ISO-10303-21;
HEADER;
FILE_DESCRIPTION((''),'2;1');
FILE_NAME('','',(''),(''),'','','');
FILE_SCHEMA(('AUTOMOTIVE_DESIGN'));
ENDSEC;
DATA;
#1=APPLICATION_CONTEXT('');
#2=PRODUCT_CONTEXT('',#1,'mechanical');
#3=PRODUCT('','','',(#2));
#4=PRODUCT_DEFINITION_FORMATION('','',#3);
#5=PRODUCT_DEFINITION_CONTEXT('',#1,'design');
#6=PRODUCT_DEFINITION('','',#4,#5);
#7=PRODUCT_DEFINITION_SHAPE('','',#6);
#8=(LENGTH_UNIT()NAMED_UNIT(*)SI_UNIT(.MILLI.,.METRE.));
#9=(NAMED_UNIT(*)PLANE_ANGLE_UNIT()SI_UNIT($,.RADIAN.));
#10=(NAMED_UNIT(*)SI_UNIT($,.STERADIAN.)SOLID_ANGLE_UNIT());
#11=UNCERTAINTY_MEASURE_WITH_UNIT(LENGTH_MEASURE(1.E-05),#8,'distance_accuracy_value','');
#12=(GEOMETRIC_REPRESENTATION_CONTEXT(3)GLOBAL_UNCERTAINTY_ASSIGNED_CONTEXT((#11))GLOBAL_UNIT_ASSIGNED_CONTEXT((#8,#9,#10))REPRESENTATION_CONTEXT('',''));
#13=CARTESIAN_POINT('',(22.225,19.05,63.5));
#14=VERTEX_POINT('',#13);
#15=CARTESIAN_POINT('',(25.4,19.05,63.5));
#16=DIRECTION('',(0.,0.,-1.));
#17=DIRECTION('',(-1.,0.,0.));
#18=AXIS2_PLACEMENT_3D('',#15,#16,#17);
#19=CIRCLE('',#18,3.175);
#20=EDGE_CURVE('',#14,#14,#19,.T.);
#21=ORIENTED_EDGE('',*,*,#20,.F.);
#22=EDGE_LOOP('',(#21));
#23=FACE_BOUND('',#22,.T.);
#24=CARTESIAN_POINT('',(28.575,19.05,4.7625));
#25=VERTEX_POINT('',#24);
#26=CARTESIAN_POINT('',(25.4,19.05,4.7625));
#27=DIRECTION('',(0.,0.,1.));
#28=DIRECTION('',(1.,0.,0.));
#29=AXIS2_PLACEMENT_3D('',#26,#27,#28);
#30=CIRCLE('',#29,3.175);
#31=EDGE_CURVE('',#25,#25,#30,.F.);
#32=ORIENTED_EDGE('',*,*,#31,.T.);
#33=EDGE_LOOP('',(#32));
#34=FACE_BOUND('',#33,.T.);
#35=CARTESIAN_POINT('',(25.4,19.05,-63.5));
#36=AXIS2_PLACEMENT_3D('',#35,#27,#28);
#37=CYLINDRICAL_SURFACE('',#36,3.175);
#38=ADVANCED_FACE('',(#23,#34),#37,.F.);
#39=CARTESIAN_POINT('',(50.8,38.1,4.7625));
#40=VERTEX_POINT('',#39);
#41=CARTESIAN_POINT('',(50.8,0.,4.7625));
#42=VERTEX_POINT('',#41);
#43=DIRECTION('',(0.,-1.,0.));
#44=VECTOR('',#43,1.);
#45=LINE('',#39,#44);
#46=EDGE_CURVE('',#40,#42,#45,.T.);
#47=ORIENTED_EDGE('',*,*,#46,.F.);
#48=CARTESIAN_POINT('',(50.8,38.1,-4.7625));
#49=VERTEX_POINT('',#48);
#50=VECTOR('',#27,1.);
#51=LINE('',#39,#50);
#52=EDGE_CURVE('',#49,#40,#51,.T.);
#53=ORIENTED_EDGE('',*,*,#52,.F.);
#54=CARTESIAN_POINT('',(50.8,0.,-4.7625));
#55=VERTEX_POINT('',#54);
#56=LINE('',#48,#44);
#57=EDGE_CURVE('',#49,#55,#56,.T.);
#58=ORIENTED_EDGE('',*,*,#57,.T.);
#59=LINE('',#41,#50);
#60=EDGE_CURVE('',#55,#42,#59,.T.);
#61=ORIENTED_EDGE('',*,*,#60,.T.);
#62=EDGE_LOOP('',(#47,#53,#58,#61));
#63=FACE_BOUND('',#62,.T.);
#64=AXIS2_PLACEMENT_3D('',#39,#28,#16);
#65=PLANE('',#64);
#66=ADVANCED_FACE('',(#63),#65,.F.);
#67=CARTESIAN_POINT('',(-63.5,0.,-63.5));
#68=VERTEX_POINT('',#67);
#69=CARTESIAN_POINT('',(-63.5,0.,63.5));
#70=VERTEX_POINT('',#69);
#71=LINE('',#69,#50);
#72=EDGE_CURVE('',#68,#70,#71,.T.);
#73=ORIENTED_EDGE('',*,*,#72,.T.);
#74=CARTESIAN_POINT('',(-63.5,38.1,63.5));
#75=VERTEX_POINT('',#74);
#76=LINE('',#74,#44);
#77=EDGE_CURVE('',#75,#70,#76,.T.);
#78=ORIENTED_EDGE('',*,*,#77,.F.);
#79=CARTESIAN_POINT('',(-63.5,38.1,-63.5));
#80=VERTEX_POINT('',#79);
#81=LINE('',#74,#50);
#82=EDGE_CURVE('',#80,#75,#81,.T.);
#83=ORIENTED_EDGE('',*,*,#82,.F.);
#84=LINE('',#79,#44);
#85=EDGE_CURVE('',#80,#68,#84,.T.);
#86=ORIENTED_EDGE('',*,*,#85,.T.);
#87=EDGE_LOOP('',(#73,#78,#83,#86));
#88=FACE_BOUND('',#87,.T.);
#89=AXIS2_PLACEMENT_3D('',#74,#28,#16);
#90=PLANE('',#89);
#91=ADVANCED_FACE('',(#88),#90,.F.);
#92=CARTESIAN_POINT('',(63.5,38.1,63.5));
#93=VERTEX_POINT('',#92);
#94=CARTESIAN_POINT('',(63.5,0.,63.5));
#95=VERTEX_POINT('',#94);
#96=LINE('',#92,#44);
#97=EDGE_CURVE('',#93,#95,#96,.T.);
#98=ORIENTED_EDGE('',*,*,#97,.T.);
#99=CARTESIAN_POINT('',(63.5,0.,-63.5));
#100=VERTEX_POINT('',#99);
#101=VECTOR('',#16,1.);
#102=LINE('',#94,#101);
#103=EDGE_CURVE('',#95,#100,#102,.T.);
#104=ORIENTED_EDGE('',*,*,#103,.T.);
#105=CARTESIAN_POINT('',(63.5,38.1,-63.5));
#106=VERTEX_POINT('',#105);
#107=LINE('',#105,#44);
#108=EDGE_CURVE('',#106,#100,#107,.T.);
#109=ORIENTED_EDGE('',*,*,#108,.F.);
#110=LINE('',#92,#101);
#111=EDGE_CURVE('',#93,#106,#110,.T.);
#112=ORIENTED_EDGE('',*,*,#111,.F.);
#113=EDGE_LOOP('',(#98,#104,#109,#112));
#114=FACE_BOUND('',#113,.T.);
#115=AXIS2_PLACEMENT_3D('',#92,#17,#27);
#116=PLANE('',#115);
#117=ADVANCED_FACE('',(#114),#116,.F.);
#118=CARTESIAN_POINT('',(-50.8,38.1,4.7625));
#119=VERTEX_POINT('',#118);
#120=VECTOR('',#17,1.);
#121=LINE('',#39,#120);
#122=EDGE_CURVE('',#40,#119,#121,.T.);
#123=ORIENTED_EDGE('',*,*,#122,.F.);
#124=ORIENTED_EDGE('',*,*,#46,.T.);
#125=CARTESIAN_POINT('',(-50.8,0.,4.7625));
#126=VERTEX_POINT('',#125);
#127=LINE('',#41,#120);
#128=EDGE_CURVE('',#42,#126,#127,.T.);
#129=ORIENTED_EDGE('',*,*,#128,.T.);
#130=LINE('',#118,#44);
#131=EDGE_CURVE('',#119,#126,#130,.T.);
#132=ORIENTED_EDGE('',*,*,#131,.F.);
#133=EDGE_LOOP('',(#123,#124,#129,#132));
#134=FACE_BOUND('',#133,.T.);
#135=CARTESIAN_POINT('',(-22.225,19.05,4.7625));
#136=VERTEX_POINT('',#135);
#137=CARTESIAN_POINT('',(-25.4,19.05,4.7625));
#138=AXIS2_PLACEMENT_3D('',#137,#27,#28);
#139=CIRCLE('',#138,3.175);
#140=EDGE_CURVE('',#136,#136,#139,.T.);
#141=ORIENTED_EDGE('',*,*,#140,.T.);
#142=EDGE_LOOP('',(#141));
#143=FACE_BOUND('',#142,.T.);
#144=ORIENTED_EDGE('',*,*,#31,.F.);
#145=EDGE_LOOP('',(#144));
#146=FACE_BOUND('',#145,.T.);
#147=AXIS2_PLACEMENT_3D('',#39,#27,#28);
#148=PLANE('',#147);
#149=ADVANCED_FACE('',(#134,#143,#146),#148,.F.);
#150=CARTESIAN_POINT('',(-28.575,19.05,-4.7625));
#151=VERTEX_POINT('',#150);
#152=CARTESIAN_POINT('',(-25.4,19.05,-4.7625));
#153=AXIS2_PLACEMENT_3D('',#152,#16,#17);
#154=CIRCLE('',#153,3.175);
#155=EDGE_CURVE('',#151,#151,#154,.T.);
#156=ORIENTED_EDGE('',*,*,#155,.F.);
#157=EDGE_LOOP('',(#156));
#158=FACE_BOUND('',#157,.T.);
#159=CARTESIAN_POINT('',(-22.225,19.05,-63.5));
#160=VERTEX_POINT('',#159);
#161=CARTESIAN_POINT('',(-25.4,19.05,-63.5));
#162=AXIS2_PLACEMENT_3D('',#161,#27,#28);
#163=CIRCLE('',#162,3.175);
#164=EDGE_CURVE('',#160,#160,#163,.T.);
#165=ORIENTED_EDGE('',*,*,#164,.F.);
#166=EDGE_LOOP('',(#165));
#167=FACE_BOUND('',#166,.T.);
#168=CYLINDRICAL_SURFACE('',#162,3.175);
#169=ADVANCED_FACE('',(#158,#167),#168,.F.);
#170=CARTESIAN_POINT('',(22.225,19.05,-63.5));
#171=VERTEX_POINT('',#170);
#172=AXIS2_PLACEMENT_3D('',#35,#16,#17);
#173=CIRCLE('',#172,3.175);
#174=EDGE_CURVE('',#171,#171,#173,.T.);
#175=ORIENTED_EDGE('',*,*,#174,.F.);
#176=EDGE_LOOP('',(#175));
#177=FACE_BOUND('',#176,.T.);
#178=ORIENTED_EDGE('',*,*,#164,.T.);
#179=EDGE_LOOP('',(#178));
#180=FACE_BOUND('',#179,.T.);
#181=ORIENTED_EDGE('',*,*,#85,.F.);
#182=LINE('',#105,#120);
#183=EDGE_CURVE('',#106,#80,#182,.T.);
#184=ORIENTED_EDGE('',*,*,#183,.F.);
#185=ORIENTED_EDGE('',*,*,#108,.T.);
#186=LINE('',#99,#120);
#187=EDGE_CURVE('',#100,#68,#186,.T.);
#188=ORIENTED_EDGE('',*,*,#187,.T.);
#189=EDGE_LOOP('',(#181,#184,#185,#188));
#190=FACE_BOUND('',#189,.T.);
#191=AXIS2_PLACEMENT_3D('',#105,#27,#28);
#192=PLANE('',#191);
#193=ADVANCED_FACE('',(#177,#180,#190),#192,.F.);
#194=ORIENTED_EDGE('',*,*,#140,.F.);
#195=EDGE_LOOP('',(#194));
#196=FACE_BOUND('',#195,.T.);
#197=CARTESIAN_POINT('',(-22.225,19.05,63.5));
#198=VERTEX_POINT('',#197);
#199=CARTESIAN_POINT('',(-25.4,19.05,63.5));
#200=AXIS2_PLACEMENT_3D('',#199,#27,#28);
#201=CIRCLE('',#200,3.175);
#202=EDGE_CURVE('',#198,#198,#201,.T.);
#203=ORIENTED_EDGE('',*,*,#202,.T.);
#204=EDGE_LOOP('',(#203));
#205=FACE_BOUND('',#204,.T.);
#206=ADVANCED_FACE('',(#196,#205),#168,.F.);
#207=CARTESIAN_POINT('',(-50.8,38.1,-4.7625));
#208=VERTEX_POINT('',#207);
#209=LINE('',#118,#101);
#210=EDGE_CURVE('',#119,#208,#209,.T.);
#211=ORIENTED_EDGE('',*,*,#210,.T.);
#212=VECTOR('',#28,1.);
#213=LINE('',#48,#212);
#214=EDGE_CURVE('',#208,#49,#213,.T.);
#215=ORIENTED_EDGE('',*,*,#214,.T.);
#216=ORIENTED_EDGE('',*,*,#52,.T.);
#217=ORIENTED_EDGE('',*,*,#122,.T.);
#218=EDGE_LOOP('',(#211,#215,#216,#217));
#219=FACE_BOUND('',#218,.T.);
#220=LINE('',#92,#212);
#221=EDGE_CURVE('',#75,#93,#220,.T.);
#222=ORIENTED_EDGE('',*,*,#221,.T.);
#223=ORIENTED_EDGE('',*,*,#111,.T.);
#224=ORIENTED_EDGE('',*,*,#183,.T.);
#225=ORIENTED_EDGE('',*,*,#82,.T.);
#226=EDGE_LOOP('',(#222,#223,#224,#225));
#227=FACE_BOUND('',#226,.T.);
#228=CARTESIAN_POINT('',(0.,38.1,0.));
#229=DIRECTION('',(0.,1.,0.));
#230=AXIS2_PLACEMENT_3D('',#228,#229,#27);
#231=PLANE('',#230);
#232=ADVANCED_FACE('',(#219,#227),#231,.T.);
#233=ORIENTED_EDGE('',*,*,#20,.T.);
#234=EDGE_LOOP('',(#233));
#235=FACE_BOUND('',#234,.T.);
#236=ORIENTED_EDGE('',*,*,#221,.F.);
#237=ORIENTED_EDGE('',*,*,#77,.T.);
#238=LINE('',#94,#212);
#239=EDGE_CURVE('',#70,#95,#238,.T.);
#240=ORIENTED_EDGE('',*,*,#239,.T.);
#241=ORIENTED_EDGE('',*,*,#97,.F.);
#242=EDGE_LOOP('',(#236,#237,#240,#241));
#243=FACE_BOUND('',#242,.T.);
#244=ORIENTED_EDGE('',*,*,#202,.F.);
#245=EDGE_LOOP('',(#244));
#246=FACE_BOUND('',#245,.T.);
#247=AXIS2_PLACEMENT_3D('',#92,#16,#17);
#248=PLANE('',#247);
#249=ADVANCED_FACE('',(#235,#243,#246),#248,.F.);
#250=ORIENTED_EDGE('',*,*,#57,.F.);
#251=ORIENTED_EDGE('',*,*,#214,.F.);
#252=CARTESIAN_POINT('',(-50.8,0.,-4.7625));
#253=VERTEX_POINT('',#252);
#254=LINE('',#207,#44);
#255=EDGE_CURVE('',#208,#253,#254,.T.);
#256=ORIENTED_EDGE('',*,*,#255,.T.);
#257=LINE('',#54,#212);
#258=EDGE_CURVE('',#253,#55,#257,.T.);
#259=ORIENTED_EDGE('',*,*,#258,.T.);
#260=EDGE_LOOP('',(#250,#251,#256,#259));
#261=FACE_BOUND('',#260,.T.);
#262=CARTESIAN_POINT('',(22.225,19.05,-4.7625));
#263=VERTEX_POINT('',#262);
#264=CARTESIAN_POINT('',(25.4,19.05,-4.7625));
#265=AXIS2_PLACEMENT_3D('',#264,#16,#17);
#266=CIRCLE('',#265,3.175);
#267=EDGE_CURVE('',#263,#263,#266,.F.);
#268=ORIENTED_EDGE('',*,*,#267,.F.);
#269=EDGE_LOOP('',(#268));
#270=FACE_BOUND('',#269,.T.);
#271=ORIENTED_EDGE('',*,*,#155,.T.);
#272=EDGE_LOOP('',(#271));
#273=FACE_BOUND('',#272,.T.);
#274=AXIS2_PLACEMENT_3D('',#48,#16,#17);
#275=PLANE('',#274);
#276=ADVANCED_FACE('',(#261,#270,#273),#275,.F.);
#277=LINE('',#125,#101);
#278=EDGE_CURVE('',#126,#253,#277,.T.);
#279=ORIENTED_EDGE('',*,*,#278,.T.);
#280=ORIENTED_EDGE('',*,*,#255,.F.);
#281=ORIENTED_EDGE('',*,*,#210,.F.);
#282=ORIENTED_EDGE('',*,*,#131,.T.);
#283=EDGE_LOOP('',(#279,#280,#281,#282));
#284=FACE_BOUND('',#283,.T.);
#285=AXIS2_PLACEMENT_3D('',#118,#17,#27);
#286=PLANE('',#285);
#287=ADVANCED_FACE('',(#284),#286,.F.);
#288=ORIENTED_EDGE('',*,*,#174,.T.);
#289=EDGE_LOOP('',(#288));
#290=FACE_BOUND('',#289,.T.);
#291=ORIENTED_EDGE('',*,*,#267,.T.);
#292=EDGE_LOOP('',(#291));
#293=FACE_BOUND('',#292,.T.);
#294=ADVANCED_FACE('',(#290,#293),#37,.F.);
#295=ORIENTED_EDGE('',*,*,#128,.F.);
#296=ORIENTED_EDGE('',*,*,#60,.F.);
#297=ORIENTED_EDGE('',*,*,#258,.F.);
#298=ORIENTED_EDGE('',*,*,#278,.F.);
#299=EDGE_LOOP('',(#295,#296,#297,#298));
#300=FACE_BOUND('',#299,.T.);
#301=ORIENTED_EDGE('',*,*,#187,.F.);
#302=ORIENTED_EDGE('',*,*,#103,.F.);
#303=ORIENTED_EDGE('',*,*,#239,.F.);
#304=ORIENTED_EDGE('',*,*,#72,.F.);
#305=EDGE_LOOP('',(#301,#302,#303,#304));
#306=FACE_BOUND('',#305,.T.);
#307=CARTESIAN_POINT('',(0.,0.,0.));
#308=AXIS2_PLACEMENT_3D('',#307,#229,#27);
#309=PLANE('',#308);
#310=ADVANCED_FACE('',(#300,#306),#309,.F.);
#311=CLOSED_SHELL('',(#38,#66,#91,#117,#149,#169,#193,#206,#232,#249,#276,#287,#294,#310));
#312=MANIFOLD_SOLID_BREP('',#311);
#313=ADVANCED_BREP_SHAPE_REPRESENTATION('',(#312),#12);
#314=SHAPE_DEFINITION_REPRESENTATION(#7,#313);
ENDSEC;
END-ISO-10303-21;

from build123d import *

# Parameters (mm, degrees)
SKETCH1_W           = 127
SKETCH1_H           = 127
BOSS_EXTRUDE1_DEPTH = 38.1
SKETCH2_W           = 101.6
SKETCH2_H           = 9.525
CUT_EXTRUDE1_DEPTH  = 98.550550998
SKETCH3_R           = 3.175
CUT_EXTRUDE2_DEPTH  = 148.013128665


with BuildPart() as part:
    # Sketch1 → Boss-Extrude1 (new body)
    with BuildSketch(Plane(origin=(0, 0, 0), x_dir=(1, 0, 0), z_dir=(0, 1, 0))):
        Rectangle(SKETCH1_W, SKETCH1_H)
    extrude(amount=BOSS_EXTRUDE1_DEPTH)

    # Sketch2 → Cut-Extrude1 (cut, through all)
    with BuildSketch(Plane(origin=(0, 0, 0), x_dir=(-1, 0, 0), z_dir=(0, -1, 0))):
        Rectangle(SKETCH2_W, SKETCH2_H)
    extrude(amount=-CUT_EXTRUDE1_DEPTH, mode=Mode.SUBTRACT)

    # Sketch3 → Cut-Extrude2 (cut, through all)
    with BuildSketch(Plane.XY.offset(63.5)):
        with Locations((-25.4, 19.05)):
            Circle(SKETCH3_R)
        with Locations(Location((25.4, 19.05, 0), (0, 0, 180))):
            Circle(SKETCH3_R)
    extrude(amount=-CUT_EXTRUDE2_DEPTH, mode=Mode.SUBTRACT)


solid = part.part
